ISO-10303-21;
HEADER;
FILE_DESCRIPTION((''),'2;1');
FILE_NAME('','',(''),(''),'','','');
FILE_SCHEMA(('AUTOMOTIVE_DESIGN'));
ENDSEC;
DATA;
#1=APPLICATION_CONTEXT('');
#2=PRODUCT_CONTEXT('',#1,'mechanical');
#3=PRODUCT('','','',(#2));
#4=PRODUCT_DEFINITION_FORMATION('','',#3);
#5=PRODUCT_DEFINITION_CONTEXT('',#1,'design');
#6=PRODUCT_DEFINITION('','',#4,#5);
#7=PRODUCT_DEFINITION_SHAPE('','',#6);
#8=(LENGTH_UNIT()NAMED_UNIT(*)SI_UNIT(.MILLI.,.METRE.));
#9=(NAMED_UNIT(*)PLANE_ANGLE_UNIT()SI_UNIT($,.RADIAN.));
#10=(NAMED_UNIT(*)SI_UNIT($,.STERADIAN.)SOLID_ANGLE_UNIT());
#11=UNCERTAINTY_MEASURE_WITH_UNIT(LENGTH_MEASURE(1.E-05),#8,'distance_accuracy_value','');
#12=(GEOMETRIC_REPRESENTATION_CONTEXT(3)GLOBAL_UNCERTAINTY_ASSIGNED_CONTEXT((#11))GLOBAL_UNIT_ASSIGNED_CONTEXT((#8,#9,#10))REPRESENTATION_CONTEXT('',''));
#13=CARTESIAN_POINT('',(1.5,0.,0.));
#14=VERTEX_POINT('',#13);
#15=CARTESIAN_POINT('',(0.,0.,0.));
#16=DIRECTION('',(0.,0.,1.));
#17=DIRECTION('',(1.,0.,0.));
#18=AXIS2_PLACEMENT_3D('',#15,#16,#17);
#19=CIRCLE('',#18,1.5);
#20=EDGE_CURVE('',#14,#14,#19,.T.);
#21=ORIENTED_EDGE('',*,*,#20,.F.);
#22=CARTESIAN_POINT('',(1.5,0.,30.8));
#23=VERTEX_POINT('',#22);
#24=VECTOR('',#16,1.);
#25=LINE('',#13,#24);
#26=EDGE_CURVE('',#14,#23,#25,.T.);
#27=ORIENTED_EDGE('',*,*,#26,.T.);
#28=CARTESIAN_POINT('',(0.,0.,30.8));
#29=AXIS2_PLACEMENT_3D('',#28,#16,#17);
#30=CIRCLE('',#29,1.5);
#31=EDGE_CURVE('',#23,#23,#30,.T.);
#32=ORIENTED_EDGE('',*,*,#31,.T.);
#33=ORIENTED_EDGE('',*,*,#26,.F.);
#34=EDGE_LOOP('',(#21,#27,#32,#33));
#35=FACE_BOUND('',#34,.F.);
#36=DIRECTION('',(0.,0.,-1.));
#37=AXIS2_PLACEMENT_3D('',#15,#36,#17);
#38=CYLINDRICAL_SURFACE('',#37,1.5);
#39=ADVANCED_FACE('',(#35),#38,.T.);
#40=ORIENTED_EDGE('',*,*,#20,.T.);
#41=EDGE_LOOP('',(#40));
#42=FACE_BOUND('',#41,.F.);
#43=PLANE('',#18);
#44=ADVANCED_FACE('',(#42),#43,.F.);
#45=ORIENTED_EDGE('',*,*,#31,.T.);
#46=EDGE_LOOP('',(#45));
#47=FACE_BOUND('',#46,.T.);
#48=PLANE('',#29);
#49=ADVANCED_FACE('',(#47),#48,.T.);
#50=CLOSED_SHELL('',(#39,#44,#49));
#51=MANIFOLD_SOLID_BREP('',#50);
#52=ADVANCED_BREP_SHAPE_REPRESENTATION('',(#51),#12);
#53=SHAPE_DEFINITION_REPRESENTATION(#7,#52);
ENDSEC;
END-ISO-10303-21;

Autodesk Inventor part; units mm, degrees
ref_plane "YZ Plane" through (0, 0, 0) normal (1, 0, 0) x (0, 1, 0)
ref_plane "XZ Plane" through (0, 0, 0) normal (0, 1, 0) x (-1, 0, 0)
ref_plane "XY Plane" through (0, 0, 0) normal (0, 0, 1) x (1, 0, 0)
sketch "Esboço1" plane through (0, 0, 0) normal (0, 0, 1) x (1, 0, 0)
  circle A0 centre (0, 0) radius 1.5
  dimension "d0" = 3
extrude "Extrusão1" add sketch "Esboço1" along normal blind 30.8
equation "\"d0\" = Parafuso"
equation "\"Parafuso\" = 3"
properties part number "Parafuso" material "Plástico PET"
